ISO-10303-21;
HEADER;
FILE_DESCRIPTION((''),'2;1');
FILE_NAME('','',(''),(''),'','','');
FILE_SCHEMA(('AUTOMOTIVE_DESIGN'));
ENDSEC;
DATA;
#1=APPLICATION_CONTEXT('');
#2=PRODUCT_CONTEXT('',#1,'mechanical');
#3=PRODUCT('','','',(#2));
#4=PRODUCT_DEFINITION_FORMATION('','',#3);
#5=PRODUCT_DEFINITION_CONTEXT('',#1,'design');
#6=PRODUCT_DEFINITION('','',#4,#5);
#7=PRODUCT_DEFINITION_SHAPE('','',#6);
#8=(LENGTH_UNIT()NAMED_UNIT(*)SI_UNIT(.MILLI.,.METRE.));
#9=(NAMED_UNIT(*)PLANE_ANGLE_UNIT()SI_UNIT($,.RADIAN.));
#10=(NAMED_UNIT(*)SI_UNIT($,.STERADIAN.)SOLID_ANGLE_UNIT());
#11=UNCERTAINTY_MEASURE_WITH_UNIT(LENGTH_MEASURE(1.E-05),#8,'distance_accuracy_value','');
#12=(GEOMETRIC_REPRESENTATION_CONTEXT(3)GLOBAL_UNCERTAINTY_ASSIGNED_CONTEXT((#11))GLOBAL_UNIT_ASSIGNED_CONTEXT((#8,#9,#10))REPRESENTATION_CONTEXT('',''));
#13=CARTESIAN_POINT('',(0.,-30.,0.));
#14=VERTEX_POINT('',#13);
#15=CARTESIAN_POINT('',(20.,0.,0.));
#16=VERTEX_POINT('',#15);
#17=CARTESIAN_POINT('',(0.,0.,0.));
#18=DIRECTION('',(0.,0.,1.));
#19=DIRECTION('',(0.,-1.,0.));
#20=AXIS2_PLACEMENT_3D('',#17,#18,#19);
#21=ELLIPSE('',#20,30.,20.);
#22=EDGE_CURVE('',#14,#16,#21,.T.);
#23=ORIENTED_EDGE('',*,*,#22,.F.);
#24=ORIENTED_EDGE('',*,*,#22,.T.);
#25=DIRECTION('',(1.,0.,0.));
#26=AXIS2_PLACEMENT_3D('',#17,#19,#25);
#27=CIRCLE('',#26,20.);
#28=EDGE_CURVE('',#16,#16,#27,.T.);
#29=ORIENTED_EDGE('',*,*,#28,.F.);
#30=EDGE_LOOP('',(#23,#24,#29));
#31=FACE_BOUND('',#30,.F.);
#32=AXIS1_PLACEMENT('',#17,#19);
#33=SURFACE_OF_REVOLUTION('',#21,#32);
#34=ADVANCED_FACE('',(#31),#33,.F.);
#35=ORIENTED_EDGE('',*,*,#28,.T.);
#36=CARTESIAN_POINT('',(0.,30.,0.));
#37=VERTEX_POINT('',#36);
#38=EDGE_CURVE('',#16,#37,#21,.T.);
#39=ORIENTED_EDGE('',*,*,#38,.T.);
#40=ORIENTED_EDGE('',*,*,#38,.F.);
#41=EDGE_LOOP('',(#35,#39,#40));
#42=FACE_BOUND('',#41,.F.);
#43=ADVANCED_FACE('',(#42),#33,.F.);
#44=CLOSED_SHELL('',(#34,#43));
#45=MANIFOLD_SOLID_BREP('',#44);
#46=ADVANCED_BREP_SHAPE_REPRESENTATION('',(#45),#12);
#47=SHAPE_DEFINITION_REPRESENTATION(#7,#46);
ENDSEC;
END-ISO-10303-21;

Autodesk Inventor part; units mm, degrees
ref_plane "YZ Plane" through (0, 0, 0) normal (1, 0, 0) x (0, 1, 0)
ref_plane "XZ Plane" through (0, 0, 0) normal (0, 1, 0) x (-1, 0, 0)
ref_plane "XY Plane" through (0, 0, 0) normal (0, 0, 1) x (1, 0, 0)
sketch "Skizze2" plane through (0, 0, 0) normal (0, 0, 1) x (1, 0, 0)
  line L0 (0, 42) -> (0, -42) projected
  line L1 (-28, 0) -> (28, 0) projected
  line L2 (-28, 0) -> (28, 0) projected
  line L3 (0, -42) -> (0, 42) projected
  ellipse E0 centre (0, 0) end of major axis (-20, 0) minor radius 30
  point P0 (0, 30)
  point P1 (0, -30)
  dimension "d0" = 20
  dimension "d1" = 30
revolve "Umdrehung1" add sketch "Skizze2" angle 360 about axis through (0, 0, 0) along (0, -1, 0) picked at (2.0342, 19.5231) picked at (2.5179, -19.2593) contours E0 L1 L0 | L1 E0 L0
properties part number "Ei" material "Gold"
